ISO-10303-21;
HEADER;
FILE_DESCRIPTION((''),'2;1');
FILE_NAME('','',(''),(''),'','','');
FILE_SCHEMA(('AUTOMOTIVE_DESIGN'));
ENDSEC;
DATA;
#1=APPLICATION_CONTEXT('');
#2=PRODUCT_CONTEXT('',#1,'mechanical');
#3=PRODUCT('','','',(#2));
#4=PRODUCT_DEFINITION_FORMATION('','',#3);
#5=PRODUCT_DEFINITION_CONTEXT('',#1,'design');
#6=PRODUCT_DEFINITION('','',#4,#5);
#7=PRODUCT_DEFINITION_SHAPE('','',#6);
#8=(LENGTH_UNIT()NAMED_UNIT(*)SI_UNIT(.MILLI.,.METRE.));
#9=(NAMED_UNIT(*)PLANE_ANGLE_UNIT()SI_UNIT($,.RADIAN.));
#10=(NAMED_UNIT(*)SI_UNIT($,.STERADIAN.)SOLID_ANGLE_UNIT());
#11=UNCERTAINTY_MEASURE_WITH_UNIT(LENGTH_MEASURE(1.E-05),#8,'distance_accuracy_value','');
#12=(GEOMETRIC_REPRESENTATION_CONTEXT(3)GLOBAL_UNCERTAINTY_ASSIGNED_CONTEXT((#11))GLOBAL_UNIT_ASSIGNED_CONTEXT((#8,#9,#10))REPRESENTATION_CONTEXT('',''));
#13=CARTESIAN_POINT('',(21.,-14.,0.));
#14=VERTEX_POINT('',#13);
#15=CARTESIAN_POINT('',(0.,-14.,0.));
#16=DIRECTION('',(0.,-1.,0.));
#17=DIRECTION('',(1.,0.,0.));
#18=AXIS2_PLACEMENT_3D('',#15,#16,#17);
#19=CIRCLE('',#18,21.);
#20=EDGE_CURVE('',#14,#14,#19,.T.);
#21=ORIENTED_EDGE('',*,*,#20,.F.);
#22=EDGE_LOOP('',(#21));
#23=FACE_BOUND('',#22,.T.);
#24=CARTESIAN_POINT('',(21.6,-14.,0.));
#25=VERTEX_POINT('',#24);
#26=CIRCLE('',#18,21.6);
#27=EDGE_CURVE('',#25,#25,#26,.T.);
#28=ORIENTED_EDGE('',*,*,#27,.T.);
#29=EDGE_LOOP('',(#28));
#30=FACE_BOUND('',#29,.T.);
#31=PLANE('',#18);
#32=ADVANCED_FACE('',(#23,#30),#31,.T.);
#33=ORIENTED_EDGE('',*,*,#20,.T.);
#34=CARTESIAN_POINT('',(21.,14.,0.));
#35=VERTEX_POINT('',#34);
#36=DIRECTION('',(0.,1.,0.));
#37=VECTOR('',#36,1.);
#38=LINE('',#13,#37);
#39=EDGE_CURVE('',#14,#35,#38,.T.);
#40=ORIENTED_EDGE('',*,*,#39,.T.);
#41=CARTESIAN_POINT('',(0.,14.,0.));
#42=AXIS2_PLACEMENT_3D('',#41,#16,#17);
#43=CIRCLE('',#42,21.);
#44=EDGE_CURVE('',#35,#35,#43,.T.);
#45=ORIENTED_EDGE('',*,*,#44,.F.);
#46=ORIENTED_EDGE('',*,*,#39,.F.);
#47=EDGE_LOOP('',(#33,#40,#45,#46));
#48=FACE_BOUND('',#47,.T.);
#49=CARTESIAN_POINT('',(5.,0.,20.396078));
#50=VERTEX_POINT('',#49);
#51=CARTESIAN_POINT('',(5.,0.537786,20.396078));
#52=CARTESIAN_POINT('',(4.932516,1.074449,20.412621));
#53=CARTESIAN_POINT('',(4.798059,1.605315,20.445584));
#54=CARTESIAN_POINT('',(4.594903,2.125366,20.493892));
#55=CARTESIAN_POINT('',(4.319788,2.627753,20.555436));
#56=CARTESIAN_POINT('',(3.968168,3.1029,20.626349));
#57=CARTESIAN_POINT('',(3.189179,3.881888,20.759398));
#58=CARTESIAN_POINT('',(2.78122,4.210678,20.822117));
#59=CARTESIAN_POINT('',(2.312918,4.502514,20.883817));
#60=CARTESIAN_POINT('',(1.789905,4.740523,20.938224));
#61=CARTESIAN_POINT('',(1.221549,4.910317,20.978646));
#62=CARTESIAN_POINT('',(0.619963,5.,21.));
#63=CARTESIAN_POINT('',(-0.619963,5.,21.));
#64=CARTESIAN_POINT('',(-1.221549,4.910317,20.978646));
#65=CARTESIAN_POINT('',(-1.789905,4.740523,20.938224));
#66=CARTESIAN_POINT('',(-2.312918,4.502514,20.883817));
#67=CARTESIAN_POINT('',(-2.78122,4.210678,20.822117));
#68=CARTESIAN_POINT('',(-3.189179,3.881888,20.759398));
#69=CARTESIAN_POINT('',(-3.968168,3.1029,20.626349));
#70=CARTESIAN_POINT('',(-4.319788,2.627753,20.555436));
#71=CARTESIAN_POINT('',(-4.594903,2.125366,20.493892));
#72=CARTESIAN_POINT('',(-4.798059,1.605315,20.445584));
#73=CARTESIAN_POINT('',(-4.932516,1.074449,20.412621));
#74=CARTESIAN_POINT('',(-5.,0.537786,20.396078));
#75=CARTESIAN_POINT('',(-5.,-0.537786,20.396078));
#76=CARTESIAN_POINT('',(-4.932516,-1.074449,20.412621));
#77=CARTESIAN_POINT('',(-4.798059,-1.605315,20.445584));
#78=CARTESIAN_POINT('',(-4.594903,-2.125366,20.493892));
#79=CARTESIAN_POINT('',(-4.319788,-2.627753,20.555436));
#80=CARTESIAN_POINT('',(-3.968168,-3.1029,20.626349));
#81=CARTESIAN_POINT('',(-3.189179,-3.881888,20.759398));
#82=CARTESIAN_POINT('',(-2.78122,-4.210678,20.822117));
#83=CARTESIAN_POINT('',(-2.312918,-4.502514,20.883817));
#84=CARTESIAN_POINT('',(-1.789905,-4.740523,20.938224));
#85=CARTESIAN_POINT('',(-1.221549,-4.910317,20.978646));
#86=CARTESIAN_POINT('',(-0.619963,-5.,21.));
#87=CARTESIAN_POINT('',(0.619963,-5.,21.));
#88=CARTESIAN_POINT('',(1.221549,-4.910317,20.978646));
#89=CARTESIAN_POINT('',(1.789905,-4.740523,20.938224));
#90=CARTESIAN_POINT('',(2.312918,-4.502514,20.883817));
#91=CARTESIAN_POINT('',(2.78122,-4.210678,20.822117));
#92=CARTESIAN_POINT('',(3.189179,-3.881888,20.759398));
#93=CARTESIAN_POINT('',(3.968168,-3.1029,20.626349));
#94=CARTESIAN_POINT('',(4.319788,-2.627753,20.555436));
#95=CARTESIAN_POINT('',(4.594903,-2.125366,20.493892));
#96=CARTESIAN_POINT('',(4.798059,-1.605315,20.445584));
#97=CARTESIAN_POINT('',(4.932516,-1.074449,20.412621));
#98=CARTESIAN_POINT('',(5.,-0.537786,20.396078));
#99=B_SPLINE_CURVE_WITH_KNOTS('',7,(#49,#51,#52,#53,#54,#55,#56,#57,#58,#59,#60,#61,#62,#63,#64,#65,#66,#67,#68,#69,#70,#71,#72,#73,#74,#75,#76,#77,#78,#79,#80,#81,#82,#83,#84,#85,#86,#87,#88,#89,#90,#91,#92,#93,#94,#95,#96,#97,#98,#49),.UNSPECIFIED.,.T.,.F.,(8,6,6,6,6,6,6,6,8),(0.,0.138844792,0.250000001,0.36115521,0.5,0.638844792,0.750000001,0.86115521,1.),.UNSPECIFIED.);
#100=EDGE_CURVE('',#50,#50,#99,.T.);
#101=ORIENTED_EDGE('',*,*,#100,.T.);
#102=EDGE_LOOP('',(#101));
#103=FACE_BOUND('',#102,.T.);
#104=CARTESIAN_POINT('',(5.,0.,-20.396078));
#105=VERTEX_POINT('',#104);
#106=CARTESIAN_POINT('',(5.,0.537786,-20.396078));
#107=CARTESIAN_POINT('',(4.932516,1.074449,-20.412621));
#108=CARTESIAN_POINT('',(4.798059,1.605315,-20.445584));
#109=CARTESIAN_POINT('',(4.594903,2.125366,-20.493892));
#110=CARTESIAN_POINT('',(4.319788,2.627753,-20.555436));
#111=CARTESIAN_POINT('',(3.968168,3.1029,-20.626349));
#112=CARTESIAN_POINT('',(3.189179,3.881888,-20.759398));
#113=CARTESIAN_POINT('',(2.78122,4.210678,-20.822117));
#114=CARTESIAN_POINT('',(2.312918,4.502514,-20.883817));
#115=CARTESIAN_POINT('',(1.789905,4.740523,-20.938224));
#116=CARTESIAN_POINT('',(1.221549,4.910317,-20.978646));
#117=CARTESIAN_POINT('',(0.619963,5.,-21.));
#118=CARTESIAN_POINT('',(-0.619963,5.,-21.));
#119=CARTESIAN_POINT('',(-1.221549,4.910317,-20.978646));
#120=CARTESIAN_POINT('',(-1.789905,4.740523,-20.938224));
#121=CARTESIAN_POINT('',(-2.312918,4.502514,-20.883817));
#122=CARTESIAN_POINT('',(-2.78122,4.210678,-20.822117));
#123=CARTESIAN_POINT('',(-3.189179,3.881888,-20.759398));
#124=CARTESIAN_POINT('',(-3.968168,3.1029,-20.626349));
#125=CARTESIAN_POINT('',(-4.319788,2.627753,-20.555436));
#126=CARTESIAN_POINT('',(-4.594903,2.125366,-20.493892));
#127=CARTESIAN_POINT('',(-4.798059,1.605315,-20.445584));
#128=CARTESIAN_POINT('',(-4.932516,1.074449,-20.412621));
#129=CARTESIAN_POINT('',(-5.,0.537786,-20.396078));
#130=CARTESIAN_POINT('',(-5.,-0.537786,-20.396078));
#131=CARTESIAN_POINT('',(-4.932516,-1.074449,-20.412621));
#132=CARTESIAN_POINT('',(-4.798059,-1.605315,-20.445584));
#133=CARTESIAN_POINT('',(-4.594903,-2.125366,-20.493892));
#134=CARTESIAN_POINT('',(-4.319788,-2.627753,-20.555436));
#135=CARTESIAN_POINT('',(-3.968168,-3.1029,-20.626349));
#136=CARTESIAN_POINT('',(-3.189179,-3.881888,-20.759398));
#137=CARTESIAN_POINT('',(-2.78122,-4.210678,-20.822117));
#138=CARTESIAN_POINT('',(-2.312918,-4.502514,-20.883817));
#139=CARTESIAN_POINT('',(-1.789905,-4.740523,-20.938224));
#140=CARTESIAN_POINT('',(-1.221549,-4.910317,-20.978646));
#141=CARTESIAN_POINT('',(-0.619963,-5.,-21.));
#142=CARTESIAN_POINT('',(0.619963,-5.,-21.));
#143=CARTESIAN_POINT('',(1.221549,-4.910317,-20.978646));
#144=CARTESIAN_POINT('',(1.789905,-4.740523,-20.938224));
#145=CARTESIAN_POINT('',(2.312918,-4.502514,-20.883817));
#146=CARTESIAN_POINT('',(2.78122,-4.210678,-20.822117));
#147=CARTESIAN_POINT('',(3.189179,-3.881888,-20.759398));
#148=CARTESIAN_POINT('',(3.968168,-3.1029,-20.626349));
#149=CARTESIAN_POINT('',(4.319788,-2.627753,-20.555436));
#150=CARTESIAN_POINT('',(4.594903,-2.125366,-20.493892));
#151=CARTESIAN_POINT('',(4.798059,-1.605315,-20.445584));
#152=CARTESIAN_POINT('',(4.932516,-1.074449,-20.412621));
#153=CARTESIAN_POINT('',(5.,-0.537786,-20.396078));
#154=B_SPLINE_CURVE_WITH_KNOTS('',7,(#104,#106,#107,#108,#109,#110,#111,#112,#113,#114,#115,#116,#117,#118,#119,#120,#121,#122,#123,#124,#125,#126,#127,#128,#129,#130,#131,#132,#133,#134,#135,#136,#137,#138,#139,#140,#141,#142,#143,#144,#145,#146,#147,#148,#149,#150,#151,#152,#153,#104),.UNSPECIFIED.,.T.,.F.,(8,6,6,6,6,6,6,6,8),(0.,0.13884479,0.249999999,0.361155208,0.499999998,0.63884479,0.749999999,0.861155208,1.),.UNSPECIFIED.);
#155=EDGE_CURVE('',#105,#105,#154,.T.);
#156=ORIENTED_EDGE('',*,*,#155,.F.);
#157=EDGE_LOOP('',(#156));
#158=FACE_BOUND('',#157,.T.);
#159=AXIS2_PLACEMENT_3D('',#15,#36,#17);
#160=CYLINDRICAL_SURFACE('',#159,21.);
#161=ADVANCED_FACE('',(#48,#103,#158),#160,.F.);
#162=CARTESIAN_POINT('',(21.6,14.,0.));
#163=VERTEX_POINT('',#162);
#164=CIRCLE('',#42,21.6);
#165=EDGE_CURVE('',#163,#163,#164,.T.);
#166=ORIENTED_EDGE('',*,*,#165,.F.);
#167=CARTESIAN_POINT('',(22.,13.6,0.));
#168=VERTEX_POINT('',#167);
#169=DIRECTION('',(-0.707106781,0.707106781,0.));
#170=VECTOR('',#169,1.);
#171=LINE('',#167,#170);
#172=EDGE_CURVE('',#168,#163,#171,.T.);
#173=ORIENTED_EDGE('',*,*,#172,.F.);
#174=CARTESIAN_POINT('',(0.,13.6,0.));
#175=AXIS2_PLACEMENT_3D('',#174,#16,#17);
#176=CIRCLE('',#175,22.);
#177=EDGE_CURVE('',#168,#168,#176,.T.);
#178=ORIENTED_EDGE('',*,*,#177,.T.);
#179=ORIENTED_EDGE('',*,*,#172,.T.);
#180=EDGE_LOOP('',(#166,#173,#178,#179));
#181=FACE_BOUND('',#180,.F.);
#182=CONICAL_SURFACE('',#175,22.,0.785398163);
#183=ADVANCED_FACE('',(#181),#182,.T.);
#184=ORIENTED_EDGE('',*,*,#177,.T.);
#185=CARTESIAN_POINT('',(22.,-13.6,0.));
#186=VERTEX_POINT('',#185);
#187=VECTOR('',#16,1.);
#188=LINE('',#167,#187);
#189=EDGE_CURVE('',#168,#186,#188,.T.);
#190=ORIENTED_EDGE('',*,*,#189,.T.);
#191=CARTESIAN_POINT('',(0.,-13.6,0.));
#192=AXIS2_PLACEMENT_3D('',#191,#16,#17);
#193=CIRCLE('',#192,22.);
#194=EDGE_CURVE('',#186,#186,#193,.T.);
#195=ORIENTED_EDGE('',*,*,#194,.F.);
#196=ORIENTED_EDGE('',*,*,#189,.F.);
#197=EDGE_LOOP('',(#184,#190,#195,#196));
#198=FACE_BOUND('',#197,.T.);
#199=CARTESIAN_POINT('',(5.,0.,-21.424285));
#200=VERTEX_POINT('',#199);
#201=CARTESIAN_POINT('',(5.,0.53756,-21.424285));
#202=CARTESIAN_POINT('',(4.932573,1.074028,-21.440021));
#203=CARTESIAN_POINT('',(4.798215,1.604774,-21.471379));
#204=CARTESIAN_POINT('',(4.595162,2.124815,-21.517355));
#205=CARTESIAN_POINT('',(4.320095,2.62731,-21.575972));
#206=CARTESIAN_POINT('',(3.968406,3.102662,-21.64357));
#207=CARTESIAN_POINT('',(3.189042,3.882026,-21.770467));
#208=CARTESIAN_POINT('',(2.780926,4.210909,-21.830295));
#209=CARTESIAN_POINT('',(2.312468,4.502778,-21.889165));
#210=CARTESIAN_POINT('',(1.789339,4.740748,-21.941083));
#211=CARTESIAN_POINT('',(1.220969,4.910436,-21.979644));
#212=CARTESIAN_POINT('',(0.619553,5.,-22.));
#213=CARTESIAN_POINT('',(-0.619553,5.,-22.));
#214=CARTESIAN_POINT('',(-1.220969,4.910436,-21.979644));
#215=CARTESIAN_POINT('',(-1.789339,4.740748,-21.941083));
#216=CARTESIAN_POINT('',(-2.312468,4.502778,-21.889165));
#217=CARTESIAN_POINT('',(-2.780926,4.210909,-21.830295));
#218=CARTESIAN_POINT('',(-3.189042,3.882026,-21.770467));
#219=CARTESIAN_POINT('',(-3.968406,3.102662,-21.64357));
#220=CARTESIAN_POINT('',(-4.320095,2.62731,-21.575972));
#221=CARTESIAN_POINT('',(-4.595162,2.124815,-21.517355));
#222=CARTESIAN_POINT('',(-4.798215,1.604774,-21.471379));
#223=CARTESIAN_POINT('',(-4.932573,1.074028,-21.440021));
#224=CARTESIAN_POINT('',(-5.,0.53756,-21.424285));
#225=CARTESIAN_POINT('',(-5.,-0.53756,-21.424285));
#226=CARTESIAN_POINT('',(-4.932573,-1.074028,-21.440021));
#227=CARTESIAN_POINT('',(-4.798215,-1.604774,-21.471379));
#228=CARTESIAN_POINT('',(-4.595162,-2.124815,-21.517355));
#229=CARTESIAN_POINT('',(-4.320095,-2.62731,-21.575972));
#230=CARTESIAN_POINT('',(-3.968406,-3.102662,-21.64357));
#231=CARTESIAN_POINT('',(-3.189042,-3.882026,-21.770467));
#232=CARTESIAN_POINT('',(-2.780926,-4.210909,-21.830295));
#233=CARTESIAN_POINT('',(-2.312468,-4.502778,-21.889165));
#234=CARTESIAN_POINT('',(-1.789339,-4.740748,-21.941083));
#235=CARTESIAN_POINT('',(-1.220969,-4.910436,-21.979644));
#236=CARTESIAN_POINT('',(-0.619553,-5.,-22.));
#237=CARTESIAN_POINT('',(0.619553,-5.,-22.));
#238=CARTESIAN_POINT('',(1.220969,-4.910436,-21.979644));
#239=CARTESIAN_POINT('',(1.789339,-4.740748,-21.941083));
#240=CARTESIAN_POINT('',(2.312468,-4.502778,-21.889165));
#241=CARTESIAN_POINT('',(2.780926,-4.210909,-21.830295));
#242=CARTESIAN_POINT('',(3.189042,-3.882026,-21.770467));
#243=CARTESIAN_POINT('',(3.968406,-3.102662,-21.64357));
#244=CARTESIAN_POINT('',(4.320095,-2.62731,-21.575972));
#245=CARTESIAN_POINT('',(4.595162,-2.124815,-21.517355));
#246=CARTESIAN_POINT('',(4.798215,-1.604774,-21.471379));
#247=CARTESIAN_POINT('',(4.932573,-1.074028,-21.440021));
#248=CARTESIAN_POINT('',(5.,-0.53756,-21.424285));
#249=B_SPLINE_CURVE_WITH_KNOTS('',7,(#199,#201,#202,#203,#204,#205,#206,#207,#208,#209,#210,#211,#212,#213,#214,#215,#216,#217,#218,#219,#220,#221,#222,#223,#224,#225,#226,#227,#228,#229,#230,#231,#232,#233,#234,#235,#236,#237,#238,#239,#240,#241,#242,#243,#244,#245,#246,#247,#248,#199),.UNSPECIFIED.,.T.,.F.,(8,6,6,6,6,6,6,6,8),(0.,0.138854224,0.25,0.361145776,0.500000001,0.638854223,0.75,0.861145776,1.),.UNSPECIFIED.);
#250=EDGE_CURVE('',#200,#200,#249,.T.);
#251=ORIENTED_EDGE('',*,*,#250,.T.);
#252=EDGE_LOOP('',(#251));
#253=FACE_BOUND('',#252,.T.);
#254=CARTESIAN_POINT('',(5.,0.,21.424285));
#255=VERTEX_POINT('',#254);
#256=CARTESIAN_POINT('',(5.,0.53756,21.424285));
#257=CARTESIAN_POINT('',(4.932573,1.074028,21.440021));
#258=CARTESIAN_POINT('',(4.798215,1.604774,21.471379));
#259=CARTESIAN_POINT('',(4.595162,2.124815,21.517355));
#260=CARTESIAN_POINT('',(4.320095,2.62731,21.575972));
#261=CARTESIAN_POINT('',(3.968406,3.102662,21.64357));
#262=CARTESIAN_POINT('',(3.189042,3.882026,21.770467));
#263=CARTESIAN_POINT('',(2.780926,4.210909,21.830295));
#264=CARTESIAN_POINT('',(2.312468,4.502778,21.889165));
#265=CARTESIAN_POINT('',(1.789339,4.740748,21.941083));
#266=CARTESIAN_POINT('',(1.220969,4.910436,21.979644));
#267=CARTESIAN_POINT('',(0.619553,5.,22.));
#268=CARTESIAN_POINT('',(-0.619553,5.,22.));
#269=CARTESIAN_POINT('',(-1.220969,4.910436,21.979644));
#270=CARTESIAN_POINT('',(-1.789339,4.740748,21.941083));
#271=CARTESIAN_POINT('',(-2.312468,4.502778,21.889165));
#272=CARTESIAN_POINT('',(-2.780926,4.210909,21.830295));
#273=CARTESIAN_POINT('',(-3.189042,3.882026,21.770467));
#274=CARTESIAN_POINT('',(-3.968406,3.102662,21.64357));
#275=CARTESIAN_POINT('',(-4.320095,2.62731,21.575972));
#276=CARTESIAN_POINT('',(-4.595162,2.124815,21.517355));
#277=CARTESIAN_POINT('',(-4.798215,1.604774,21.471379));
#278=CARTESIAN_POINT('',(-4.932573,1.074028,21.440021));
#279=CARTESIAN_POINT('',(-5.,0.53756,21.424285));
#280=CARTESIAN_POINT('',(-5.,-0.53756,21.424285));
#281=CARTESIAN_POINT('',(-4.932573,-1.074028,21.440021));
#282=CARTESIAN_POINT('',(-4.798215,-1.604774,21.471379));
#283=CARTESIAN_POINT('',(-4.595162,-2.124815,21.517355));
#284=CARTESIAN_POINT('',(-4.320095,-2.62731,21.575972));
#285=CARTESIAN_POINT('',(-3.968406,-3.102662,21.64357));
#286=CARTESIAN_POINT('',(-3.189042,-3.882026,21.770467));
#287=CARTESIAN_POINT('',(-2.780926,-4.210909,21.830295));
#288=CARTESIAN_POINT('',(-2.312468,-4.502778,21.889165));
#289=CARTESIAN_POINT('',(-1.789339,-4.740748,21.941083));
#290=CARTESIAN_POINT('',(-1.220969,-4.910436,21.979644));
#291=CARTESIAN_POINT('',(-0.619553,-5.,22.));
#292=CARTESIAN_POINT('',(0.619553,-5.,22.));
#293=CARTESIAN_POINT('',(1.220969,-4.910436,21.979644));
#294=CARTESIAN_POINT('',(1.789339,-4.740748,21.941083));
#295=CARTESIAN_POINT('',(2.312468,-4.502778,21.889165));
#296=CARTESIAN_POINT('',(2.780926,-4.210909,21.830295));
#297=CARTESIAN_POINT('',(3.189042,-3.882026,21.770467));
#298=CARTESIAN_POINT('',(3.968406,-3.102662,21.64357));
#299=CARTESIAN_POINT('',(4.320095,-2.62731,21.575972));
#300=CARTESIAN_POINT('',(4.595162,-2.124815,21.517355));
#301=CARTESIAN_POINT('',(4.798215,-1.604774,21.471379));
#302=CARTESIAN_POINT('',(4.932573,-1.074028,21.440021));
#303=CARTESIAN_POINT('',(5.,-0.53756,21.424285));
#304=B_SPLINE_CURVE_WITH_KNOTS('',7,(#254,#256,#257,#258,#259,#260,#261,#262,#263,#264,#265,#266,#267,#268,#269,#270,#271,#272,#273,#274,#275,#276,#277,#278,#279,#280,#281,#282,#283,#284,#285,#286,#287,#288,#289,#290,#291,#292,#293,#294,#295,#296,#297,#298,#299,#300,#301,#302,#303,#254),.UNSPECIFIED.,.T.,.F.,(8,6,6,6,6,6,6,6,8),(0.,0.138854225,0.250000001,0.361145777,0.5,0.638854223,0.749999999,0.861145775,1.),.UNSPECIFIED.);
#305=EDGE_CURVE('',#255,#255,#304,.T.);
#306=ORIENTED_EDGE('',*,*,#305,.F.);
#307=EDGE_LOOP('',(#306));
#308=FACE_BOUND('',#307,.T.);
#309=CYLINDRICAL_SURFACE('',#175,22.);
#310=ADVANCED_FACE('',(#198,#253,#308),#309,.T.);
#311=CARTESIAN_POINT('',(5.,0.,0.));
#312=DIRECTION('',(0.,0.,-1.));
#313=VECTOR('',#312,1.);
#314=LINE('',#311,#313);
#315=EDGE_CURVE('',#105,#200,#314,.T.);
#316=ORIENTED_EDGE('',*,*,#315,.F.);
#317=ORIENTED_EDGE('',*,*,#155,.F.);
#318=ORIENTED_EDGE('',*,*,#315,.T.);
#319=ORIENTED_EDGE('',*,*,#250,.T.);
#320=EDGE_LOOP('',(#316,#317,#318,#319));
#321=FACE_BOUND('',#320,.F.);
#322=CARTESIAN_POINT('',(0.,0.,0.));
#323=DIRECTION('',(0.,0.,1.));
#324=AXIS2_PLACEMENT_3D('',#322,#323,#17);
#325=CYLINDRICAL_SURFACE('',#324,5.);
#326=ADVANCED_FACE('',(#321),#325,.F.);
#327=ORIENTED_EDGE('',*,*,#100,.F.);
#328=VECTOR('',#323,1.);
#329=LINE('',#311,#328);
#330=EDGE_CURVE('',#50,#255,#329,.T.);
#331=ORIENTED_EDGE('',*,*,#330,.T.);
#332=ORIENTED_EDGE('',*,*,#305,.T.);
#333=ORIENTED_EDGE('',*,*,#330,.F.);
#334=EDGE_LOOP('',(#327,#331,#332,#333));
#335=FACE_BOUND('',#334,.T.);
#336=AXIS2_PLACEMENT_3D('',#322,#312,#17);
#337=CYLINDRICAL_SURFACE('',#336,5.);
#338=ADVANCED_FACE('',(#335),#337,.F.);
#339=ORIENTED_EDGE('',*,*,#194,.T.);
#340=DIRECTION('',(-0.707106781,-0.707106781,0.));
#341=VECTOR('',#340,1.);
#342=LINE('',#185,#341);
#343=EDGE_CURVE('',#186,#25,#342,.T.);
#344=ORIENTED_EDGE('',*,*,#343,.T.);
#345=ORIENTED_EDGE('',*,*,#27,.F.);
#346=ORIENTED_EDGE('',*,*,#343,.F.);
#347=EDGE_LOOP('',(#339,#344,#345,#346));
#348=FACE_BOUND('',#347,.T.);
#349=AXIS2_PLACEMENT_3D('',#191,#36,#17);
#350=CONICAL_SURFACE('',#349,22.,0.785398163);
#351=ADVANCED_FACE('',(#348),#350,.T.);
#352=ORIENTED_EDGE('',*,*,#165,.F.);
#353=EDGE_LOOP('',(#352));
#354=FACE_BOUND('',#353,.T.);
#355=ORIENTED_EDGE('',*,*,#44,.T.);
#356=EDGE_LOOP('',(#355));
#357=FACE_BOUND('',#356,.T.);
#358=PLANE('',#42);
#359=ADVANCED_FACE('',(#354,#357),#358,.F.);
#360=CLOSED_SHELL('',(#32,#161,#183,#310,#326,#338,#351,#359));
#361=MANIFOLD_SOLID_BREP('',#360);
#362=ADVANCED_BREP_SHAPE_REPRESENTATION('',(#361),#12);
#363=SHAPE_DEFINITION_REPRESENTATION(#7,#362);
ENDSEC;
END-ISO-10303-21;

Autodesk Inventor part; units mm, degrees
ref_plane "YZ Plane" through (0, 0, 0) normal (1, 0, 0) x (0, 1, 0)
ref_plane "XZ Plane" through (0, 0, 0) normal (0, 1, 0) x (-1, 0, 0)
ref_plane "XY Plane" through (0, 0, 0) normal (0, 0, 1) x (1, 0, 0)
sketch "Эскиз1" plane through (0, 0, 0) normal (0, 0, 1) x (1, 0, 0)
  line L0 (0, 14) -> (0, -14)
  line L1 (21, 14) -> (21.6, 14)
  line L2 (22, 13.6) -> (22, -13.6)
  line L3 (21.6, -14) -> (21, -14)
  line L4 (21, -14) -> (21, 14)
  line L5 (22, 13.6) -> (21.6, 14)
  line L6 (22, -13.6) -> (21.6, -14)
  point P0 (0, 0)
  point P1 (0, 0)
  point P2 (22, -14)
  point P3 (22, 14)
  dimension "d0" = 28
  dimension "d1" = 44
  dimension "d2" = 42
  dimension "d3" = 0.4
  dimension "d4" = 45
  dimension "d5" = 0.4
  dimension "d6" = 45
revolve "Вращение1" add sketch "Эскиз1" angle 360 about axis through (0, 14, 0) along (0, -1, 0)
sketch "Эскиз2" plane through (0, 0, 0) normal (0, 0, 1) x (1, 0, 0)
  circle A0 centre (0, 0) radius 5
  dimension "d8" = 10
extrude "Выдавливание1" cut sketch "Эскиз2" along normal through all both and the other way through all
equation "\"d5\" = d3"
equation "\"d6\" = d4"
properties part number "75. Втулка шестерни второй передачи"
